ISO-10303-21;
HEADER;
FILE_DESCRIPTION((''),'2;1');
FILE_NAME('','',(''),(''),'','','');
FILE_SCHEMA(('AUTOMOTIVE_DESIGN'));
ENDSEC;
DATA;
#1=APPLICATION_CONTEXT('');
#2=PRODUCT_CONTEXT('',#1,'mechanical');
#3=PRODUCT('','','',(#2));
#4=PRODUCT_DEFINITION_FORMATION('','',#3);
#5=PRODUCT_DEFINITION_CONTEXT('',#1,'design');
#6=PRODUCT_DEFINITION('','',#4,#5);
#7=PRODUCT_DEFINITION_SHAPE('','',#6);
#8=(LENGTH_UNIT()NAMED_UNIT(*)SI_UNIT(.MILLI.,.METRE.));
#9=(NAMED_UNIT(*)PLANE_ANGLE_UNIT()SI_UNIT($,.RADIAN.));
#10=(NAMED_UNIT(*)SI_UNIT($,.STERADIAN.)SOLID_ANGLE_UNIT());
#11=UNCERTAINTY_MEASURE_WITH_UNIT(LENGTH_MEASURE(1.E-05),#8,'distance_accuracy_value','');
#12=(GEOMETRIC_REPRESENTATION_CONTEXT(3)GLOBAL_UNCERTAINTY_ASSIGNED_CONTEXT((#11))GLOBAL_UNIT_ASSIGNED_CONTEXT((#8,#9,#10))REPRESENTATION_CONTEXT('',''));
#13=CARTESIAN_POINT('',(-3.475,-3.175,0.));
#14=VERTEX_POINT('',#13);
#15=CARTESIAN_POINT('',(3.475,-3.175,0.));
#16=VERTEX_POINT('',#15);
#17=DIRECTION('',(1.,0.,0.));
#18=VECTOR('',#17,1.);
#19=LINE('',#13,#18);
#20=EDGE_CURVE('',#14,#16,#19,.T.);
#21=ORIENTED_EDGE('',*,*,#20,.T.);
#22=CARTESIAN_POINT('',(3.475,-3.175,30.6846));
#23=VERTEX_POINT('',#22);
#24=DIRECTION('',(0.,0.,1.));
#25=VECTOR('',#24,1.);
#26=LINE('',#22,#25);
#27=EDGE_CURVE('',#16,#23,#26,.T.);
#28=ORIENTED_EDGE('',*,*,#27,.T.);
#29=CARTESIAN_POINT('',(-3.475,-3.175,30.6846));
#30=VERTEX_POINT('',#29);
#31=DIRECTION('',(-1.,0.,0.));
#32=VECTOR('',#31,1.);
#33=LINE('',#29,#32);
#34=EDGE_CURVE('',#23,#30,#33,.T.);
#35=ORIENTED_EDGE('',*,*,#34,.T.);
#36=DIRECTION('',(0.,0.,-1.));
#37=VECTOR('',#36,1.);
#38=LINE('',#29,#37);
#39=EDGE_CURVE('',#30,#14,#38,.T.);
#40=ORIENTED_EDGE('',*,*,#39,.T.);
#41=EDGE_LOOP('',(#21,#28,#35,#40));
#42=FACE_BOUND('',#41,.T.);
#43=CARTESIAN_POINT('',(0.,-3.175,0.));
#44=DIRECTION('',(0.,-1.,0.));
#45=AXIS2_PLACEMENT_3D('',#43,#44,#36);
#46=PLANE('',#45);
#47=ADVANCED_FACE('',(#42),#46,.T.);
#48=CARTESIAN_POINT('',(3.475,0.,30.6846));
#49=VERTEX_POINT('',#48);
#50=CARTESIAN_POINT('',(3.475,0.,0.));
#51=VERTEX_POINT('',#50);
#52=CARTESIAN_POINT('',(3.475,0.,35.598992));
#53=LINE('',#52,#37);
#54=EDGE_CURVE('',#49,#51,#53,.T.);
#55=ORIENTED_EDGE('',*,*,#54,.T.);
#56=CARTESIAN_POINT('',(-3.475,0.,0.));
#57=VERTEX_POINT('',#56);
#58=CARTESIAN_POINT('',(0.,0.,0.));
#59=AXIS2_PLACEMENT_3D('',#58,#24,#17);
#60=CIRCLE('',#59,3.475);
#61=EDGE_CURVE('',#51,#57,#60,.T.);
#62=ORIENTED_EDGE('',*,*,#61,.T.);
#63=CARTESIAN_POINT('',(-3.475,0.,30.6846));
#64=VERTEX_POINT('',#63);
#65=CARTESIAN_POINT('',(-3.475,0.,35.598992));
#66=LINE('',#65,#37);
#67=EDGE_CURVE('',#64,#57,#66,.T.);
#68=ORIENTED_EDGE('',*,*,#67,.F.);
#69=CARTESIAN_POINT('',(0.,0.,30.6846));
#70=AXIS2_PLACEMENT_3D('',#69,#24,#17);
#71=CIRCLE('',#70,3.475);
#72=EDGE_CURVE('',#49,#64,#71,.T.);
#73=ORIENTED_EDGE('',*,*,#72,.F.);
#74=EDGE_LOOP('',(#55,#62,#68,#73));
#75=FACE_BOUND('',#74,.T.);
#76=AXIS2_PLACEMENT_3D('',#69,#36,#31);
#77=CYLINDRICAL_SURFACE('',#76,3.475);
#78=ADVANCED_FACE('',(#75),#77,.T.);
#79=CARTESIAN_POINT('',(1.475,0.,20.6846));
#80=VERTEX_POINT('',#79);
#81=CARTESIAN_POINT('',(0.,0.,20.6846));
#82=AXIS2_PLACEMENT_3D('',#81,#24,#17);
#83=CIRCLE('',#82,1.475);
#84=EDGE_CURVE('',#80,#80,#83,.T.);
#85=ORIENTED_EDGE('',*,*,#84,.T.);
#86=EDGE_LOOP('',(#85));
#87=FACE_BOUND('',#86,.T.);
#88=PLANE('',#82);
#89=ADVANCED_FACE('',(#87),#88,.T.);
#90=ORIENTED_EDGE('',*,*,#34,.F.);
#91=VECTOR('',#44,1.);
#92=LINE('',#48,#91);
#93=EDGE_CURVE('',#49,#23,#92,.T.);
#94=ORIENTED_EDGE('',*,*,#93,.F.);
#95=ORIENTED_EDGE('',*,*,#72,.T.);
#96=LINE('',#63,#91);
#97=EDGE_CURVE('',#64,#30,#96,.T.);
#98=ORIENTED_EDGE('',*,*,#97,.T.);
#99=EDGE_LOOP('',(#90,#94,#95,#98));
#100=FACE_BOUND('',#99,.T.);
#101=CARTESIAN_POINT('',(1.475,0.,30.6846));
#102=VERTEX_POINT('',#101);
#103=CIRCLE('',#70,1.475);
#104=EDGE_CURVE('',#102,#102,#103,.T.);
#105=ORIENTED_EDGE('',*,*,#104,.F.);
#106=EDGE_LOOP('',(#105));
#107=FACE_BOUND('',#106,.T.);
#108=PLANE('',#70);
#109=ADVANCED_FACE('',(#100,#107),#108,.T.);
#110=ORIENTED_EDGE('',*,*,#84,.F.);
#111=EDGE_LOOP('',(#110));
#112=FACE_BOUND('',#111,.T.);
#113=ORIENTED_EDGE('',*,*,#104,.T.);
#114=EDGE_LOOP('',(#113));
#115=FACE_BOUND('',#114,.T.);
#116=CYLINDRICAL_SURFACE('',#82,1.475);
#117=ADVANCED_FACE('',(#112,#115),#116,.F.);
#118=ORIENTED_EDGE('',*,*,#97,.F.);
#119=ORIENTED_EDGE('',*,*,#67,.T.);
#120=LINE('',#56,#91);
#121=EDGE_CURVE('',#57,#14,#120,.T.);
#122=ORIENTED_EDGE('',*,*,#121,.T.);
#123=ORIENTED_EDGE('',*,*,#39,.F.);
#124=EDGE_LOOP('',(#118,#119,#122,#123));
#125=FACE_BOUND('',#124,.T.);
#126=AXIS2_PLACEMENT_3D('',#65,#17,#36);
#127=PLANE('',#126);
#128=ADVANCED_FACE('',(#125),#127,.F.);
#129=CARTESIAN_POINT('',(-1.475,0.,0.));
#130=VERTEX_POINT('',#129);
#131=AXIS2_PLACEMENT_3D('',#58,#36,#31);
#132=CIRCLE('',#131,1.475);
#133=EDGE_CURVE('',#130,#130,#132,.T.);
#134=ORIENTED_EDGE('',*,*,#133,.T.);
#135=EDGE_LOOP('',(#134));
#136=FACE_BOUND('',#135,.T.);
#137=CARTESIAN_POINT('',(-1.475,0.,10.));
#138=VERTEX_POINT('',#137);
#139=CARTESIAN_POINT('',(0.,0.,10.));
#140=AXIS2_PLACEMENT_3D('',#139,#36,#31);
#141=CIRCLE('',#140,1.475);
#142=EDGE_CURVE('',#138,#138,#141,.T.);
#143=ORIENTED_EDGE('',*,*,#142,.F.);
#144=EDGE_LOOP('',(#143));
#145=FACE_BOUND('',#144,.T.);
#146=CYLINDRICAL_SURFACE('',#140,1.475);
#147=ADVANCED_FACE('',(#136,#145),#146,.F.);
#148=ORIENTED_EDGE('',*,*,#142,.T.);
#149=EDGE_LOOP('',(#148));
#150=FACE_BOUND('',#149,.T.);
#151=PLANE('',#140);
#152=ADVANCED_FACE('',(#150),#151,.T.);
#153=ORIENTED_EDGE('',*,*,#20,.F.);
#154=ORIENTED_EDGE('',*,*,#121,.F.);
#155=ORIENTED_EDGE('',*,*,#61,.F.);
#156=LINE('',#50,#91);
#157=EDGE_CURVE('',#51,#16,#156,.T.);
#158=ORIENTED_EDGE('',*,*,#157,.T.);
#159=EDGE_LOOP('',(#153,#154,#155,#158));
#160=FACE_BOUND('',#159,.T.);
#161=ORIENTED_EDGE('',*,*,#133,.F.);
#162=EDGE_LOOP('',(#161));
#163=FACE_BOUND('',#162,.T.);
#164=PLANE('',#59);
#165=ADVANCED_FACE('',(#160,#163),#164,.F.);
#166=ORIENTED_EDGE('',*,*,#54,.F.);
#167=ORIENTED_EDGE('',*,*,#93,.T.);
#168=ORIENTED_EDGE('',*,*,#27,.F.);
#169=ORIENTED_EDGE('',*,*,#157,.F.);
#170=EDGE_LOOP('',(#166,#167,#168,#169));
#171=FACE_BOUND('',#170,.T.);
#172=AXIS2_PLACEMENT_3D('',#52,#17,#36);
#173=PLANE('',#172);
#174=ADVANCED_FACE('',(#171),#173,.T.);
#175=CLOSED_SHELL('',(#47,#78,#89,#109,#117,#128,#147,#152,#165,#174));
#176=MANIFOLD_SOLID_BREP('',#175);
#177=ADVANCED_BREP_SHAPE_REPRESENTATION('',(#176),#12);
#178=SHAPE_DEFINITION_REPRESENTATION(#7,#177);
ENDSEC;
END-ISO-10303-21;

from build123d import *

# Parameters (mm, degrees)
SKETCH2_R           = 3.475
BOSS_EXTRUDE2_DEPTH = 30.6846
SKETCH3_R           = 1.475
CUT_EXTRUDE1_DEPTH  = 10
CUT_EXTRUDE2_START  = -10
SKETCH4_R           = 1.475
CUT_EXTRUDE2_DEPTH  = 10
BOSS_EXTRUDE3_DEPTH = 30.6846
SKETCH6_W           = 6.95
SKETCH6_H           = 30.6846
CUT_EXTRUDE3_DEPTH  = 0.3


with BuildPart() as part:
    # Sketch2 → Boss-Extrude2 (new body)
    with BuildSketch(Plane.XY):
        Circle(SKETCH2_R)
    extrude(amount=BOSS_EXTRUDE2_DEPTH)

    # Sketch3 → Cut-Extrude1 (cut)
    with BuildSketch(Plane.XY.offset(30.6846)):
        Circle(SKETCH3_R)
    extrude(amount=-CUT_EXTRUDE1_DEPTH, mode=Mode.SUBTRACT)

    # Sketch4 → Cut-Extrude2 (cut)
    with BuildSketch(Plane(origin=(0, 0, 0), x_dir=(-1, 0, 0), z_dir=(0, 0, -1)).offset(CUT_EXTRUDE2_START)):
        with Locations(Location((0, 0, 0), (0, 0, 180))):
            Circle(SKETCH4_R)
    extrude(amount=CUT_EXTRUDE2_DEPTH, mode=Mode.SUBTRACT)

    # Sketch5 → Boss-Extrude3 (add)
    with BuildSketch(Plane(origin=(0, 0, 0), x_dir=(-1, 0, 0), z_dir=(0, 0, -1))):
        with BuildLine():
            ThreePointArc((0, -3.475), (-2.457196065, -2.457196065), (-3.475, 0))
            Line((-3.475, 0), (-3.475, -3.475))
            Line((-3.475, -3.475), (0, -3.475))
        make_face()
        with BuildLine():
            Line((3.475, -3.475), (3.475, 0))
            ThreePointArc((3.475, 0), (2.457196065, -2.457196065), (0, -3.475))
            Line((0, -3.475), (3.475, -3.475))
        make_face()
    extrude(amount=-BOSS_EXTRUDE3_DEPTH)

    # Sketch6 → Cut-Extrude3 (cut)
    with BuildSketch(Plane(origin=(0, -3.475, 0), x_dir=(-1, 0, 0), z_dir=(0, -1, 0))):
        with Locations((0, -15.3423)):
            Rectangle(SKETCH6_W, SKETCH6_H)
    extrude(amount=-CUT_EXTRUDE3_DEPTH, mode=Mode.SUBTRACT)


solid = part.part
